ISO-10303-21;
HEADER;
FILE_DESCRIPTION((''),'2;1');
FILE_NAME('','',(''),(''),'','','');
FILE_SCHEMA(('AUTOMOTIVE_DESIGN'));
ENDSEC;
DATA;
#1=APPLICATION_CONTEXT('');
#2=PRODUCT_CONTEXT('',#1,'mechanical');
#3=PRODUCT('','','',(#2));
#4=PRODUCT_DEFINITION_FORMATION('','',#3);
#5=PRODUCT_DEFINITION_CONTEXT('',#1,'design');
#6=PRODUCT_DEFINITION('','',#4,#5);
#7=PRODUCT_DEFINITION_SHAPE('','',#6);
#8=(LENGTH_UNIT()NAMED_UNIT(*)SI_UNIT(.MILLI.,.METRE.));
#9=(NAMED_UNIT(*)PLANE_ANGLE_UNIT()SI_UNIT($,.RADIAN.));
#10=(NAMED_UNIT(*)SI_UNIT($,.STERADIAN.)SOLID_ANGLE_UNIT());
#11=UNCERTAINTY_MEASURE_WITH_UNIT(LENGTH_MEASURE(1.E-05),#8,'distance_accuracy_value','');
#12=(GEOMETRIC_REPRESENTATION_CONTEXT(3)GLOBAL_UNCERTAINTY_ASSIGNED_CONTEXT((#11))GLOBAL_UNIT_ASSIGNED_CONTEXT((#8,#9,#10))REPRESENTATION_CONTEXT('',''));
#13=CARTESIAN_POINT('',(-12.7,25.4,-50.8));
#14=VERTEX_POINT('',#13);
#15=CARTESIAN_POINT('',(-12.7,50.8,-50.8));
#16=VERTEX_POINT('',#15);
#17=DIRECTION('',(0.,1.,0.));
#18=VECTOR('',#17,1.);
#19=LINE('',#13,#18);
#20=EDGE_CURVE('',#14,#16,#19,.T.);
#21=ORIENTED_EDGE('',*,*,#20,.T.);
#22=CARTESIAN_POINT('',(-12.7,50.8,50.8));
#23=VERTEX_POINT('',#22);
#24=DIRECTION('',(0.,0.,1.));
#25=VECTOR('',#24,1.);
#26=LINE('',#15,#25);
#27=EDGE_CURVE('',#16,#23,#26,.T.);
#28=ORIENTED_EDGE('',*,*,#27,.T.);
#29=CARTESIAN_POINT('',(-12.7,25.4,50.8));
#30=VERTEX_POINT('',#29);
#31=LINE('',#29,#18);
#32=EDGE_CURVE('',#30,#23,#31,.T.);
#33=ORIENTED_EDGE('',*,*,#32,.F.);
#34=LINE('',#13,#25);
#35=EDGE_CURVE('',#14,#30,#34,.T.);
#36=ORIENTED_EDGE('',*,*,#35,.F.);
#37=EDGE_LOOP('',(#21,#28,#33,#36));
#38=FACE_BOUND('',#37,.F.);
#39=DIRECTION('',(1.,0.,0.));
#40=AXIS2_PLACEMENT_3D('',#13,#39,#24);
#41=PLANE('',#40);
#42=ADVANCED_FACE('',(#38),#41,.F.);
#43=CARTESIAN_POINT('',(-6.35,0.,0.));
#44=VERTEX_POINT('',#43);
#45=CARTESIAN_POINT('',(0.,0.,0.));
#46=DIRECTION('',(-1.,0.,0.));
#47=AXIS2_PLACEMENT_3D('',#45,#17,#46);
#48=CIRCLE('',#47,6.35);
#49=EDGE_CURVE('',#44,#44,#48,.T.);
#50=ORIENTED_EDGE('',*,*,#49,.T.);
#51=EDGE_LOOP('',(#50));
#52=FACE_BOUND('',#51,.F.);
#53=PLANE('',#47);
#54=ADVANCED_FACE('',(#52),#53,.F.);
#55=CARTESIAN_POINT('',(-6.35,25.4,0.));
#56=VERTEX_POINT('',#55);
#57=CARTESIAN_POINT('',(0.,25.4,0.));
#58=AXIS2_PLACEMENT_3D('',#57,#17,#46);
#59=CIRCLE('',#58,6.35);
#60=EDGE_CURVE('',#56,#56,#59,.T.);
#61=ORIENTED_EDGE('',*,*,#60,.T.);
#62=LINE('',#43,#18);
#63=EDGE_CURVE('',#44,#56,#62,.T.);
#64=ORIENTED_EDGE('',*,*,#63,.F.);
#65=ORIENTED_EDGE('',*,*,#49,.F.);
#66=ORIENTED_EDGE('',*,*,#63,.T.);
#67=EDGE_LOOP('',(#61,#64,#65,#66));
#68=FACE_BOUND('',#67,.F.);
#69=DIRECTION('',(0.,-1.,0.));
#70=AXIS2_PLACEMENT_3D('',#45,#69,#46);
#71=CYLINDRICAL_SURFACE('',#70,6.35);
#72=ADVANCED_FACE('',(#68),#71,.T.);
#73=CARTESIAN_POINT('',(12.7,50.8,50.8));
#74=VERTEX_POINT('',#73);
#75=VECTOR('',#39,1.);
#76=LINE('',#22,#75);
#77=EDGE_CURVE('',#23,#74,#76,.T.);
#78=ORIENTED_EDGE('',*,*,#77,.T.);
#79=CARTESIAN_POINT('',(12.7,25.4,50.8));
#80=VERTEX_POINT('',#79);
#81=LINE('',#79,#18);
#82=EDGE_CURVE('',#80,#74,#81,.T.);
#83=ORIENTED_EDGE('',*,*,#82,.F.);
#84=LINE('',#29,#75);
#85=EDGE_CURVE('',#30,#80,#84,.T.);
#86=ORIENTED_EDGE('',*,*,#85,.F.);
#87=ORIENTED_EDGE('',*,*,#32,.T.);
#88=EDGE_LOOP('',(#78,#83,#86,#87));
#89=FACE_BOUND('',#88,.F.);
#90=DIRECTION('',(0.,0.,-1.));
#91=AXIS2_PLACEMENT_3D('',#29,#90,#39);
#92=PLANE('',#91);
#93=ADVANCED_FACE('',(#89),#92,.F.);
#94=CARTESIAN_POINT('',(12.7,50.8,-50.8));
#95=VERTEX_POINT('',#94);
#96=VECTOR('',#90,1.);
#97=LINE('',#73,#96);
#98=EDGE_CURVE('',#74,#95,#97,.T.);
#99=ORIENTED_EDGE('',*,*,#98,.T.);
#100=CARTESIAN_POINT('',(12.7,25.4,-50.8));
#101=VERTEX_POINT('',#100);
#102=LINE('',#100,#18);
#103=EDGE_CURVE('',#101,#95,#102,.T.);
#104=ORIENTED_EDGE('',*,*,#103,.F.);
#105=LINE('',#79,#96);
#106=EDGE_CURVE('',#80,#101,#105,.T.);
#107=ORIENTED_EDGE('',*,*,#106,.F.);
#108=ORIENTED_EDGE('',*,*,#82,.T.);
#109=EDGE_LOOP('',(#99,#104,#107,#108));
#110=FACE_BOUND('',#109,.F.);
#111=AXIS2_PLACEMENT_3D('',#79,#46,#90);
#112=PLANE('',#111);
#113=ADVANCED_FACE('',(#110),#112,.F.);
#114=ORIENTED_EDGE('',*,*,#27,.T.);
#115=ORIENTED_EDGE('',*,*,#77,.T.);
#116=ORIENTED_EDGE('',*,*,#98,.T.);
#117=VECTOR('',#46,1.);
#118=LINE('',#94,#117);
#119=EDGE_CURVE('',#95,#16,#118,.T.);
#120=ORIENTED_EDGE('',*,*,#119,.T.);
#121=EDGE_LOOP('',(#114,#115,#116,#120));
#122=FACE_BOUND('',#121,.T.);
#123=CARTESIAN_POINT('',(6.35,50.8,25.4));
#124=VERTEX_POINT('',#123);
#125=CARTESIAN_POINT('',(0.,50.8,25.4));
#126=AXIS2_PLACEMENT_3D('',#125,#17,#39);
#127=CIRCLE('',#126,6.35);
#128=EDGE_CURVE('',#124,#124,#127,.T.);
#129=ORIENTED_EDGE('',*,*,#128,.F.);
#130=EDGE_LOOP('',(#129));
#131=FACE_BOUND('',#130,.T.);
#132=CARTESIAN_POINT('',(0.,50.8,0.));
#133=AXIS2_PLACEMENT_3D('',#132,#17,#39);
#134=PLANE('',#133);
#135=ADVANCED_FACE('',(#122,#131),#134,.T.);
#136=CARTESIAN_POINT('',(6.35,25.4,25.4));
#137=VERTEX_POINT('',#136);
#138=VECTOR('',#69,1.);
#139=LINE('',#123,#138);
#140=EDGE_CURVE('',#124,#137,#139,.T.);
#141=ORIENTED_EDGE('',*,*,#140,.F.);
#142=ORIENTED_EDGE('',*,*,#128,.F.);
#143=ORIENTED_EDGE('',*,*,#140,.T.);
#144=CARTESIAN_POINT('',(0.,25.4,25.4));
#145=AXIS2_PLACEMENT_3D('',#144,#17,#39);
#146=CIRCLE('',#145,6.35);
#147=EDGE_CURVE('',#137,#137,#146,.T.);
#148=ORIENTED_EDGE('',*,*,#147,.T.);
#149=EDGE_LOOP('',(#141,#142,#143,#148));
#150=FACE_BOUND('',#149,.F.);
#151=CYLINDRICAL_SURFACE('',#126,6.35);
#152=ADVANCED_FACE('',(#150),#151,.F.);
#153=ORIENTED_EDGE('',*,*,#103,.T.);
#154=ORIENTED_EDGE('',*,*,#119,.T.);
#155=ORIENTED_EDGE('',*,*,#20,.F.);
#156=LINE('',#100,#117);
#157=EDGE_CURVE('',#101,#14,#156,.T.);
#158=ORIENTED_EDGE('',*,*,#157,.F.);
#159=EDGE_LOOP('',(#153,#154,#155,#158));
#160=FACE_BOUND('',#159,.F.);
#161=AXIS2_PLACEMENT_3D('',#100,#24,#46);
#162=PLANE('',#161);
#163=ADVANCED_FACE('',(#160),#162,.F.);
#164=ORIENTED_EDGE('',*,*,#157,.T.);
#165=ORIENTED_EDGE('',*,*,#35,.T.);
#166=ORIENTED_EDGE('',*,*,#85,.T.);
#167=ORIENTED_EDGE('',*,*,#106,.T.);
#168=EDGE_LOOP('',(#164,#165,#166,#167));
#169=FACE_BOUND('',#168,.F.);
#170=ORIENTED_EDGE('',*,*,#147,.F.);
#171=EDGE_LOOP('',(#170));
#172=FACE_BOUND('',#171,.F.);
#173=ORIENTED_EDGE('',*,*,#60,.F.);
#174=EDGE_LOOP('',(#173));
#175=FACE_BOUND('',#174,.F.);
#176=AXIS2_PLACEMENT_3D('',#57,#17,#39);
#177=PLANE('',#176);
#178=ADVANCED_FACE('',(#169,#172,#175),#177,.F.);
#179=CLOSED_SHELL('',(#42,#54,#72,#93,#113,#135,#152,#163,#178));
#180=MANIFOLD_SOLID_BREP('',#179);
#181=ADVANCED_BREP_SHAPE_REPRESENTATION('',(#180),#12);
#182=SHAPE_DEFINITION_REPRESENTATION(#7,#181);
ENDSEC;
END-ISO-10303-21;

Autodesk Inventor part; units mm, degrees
ref_plane "YZ Plane" through (0, 0, 0) normal (1, 0, 0) x (0, 1, 0)
ref_plane "XZ Plane" through (0, 0, 0) normal (0, 1, 0) x (-1, 0, 0)
ref_plane "XY Plane" through (0, 0, 0) normal (0, 0, 1) x (1, 0, 0)
sketch "Sketch1" plane through (0, 0, 0) normal (0, 1, 0) x (-1, 0, 0)
  circle A0 centre (0, 0) radius 6.35
  dimension "d0" = 12.7
extrude "Extrusion1" add sketch "Sketch1" along normal blind 25.4
sketch "Sketch2" plane through (0, 25.4, 0) normal (0, 1, 0) x (1, 0, 0)
  line L0 (12.7, 50.8) -> (-12.7, 50.8)
  line L1 (-12.7, 50.8) -> (-12.7, -50.8)
  line L2 (-12.7, -50.8) -> (12.7, -50.8)
  line L3 (12.7, -50.8) -> (12.7, 50.8)
  line L4 (12.7, 50.8) -> (-12.7, -50.8) construction
  line L5 (-12.7, 50.8) -> (12.7, -50.8) construction
  point P0 (0, 0)
  dimension "d3" = 101.6
  dimension "d4" = 25.4
extrude "Extrusion2" add sketch "Sketch2" along normal blind 25.4
sketch "Sketch3" plane through (0, 50.8, 0) normal (0, 1, 0) x (1, 0, 0)
  circle A0 centre (0, -25.4) radius 6.35
  line L0 (-12.7, -50.8) -> (12.7, -50.8) projected
  point P0 (0, 0)
  dimension "d7" = 25.4
  dimension "d8" = 12.7
extrude "Extrusion3" cut sketch "Sketch3" against normal through all
properties part number "knuckle"
